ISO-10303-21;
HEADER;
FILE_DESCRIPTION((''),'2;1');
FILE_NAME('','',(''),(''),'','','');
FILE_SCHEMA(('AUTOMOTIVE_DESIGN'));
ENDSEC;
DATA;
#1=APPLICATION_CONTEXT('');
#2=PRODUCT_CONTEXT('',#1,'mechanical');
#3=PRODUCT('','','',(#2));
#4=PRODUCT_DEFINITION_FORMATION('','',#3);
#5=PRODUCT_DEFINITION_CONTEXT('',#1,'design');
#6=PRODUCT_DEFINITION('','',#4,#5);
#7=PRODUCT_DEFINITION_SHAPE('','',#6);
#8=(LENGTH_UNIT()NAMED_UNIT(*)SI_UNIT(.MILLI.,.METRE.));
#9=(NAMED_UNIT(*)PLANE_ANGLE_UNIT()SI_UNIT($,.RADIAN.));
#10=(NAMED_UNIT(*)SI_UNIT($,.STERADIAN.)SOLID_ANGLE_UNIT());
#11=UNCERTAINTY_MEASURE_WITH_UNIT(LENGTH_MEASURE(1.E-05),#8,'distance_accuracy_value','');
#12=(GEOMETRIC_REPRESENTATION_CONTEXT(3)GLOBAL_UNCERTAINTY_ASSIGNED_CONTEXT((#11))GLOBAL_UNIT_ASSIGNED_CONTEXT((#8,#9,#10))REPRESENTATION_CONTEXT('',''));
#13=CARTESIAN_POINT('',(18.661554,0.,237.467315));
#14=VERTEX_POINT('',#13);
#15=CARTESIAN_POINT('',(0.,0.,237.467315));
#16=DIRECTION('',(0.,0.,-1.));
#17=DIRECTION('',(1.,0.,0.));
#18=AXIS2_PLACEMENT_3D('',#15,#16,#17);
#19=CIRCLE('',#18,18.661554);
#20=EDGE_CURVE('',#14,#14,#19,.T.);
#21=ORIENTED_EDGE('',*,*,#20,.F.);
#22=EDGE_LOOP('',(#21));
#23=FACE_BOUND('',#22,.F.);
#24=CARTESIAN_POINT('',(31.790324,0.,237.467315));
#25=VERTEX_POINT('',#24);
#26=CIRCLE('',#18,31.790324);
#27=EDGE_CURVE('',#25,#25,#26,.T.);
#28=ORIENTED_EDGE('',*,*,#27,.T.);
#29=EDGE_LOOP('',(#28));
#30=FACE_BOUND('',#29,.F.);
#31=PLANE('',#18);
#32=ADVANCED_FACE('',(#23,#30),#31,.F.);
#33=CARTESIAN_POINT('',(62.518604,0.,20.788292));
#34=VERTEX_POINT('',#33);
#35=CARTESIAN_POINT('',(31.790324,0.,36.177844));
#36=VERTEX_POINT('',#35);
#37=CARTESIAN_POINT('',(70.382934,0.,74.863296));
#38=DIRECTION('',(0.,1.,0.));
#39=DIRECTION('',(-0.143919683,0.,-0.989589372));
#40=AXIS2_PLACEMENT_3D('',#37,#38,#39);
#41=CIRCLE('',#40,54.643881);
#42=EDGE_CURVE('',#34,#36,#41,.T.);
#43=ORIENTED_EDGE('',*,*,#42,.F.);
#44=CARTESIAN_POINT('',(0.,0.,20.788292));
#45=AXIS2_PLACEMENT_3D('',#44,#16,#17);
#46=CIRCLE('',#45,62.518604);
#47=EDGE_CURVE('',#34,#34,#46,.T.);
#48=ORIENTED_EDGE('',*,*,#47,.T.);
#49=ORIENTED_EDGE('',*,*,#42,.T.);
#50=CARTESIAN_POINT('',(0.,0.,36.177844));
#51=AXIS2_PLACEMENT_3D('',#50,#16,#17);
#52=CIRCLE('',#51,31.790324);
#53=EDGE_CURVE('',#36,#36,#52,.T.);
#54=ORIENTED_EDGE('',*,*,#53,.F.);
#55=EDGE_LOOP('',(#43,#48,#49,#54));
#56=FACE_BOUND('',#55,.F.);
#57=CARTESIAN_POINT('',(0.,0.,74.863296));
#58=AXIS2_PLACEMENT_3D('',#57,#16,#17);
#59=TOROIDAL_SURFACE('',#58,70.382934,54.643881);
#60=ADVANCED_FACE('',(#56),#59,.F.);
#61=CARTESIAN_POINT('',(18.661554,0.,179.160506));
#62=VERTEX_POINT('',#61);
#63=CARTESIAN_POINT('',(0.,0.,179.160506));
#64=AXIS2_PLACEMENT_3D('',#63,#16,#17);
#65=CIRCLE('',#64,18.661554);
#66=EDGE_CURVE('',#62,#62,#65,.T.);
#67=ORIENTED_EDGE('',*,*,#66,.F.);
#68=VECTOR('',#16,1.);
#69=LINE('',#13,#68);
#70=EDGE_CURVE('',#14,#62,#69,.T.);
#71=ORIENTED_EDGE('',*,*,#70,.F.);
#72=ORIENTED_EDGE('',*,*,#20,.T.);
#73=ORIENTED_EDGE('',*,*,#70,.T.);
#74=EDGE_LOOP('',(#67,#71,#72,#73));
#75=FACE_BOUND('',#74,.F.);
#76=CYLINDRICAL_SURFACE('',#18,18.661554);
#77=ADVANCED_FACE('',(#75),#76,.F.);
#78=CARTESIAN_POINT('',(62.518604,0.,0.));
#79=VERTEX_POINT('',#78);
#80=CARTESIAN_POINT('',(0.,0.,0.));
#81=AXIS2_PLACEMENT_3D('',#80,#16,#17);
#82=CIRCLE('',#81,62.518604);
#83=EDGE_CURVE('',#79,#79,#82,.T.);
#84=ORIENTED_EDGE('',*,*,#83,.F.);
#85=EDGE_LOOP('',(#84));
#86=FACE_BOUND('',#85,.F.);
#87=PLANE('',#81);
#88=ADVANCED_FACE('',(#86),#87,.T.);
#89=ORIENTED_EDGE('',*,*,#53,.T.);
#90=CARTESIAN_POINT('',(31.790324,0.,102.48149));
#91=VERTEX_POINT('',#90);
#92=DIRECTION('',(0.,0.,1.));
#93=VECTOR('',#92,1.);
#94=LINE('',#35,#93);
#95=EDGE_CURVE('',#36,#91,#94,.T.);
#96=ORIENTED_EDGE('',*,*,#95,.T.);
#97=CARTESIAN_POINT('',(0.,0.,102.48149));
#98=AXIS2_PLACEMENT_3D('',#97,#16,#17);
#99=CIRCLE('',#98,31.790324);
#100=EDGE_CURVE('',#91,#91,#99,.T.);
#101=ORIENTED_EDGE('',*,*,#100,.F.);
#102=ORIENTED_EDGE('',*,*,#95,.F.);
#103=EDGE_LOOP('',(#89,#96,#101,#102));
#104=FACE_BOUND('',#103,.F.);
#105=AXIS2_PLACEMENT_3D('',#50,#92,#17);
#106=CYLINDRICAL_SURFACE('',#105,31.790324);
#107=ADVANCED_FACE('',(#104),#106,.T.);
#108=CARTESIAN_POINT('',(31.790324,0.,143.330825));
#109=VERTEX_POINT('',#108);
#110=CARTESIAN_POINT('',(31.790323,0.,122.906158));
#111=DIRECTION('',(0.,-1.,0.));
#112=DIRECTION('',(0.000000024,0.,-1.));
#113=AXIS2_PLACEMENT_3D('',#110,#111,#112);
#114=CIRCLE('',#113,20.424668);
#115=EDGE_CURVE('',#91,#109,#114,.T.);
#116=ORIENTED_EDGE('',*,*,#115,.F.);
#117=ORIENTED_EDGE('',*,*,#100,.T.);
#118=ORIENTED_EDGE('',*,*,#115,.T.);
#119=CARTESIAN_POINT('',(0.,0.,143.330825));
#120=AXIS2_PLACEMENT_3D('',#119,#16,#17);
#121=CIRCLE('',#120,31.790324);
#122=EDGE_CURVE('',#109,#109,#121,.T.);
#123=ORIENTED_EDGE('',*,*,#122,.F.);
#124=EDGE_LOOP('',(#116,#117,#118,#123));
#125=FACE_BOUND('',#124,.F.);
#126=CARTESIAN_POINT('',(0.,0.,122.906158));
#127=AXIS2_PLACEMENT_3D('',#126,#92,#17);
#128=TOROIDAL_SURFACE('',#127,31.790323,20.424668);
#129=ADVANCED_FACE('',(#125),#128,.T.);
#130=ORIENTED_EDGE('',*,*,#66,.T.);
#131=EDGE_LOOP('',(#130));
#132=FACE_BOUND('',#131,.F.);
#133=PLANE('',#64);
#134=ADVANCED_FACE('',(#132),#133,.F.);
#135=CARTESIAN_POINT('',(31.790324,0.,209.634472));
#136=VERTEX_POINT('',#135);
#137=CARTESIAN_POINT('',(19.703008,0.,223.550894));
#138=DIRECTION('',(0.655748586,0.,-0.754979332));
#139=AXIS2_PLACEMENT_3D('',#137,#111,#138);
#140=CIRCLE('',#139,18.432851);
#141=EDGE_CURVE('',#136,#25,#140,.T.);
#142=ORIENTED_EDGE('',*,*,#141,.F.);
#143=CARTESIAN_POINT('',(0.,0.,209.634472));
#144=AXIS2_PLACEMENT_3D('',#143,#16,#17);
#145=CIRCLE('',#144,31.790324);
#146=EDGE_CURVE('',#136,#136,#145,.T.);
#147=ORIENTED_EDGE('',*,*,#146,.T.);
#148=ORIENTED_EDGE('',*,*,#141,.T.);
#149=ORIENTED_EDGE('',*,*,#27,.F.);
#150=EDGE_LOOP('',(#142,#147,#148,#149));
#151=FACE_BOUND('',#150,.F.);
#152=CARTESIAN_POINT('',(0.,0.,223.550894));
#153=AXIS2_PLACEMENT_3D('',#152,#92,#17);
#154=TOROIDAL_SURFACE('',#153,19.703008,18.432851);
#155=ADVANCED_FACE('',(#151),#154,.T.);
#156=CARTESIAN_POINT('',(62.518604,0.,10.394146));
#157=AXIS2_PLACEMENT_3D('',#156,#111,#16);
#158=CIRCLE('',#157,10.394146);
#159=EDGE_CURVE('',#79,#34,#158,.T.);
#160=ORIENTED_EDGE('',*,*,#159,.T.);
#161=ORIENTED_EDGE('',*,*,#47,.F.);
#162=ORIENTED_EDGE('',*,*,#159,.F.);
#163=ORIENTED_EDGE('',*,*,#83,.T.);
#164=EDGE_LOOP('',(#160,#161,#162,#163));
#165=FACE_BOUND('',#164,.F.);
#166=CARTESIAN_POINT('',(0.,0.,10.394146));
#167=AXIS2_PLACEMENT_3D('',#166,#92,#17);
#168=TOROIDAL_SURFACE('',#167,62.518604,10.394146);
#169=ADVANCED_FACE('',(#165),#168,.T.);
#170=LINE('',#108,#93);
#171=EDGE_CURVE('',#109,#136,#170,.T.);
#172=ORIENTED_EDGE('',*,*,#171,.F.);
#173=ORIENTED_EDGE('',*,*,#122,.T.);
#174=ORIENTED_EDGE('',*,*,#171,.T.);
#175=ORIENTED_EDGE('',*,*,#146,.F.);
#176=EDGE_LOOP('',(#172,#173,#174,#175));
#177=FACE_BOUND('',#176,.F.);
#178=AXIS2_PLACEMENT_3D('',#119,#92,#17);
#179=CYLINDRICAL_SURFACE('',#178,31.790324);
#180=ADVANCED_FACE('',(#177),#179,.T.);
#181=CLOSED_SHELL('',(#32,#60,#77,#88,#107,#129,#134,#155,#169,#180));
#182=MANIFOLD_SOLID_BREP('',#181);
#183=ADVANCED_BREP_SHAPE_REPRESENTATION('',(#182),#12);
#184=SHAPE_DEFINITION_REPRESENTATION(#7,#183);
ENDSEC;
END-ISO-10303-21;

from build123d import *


with BuildPart() as f1:
    # F0 (on Front) → F1 (revolve)
    with BuildSketch(Plane.XZ):
        with BuildLine():
            Line((0, 179.160506), (0, 0))
            Line((0, 0), (62.518604, 0))
            ThreePointArc((62.518604, 0), (72.91275, 10.394146), (62.518604, 20.788292))
            ThreePointArc((62.518604, 20.788292), (45.913128, 26.004496), (31.790324, 36.177844))
            Line((31.790324, 36.177844), (31.790324, 102.48149))
            ThreePointArc((31.790324, 102.48149), (52.214991, 122.906158), (31.790324, 143.330825))
            Line((31.790324, 143.330825), (31.790324, 209.634472))
            ThreePointArc((31.790324, 209.634472), (38.135859, 223.550893), (31.790324, 237.467315))
            Line((31.790324, 237.467315), (18.661554, 237.467315))
            Line((18.661554, 237.467315), (18.661554, 179.160506))
            Line((18.661554, 179.160506), (0, 179.160506))
        make_face()
    revolve(axis=Axis((0, 0, 89.580253), (0, 0, -1)))


solid = f1.part
